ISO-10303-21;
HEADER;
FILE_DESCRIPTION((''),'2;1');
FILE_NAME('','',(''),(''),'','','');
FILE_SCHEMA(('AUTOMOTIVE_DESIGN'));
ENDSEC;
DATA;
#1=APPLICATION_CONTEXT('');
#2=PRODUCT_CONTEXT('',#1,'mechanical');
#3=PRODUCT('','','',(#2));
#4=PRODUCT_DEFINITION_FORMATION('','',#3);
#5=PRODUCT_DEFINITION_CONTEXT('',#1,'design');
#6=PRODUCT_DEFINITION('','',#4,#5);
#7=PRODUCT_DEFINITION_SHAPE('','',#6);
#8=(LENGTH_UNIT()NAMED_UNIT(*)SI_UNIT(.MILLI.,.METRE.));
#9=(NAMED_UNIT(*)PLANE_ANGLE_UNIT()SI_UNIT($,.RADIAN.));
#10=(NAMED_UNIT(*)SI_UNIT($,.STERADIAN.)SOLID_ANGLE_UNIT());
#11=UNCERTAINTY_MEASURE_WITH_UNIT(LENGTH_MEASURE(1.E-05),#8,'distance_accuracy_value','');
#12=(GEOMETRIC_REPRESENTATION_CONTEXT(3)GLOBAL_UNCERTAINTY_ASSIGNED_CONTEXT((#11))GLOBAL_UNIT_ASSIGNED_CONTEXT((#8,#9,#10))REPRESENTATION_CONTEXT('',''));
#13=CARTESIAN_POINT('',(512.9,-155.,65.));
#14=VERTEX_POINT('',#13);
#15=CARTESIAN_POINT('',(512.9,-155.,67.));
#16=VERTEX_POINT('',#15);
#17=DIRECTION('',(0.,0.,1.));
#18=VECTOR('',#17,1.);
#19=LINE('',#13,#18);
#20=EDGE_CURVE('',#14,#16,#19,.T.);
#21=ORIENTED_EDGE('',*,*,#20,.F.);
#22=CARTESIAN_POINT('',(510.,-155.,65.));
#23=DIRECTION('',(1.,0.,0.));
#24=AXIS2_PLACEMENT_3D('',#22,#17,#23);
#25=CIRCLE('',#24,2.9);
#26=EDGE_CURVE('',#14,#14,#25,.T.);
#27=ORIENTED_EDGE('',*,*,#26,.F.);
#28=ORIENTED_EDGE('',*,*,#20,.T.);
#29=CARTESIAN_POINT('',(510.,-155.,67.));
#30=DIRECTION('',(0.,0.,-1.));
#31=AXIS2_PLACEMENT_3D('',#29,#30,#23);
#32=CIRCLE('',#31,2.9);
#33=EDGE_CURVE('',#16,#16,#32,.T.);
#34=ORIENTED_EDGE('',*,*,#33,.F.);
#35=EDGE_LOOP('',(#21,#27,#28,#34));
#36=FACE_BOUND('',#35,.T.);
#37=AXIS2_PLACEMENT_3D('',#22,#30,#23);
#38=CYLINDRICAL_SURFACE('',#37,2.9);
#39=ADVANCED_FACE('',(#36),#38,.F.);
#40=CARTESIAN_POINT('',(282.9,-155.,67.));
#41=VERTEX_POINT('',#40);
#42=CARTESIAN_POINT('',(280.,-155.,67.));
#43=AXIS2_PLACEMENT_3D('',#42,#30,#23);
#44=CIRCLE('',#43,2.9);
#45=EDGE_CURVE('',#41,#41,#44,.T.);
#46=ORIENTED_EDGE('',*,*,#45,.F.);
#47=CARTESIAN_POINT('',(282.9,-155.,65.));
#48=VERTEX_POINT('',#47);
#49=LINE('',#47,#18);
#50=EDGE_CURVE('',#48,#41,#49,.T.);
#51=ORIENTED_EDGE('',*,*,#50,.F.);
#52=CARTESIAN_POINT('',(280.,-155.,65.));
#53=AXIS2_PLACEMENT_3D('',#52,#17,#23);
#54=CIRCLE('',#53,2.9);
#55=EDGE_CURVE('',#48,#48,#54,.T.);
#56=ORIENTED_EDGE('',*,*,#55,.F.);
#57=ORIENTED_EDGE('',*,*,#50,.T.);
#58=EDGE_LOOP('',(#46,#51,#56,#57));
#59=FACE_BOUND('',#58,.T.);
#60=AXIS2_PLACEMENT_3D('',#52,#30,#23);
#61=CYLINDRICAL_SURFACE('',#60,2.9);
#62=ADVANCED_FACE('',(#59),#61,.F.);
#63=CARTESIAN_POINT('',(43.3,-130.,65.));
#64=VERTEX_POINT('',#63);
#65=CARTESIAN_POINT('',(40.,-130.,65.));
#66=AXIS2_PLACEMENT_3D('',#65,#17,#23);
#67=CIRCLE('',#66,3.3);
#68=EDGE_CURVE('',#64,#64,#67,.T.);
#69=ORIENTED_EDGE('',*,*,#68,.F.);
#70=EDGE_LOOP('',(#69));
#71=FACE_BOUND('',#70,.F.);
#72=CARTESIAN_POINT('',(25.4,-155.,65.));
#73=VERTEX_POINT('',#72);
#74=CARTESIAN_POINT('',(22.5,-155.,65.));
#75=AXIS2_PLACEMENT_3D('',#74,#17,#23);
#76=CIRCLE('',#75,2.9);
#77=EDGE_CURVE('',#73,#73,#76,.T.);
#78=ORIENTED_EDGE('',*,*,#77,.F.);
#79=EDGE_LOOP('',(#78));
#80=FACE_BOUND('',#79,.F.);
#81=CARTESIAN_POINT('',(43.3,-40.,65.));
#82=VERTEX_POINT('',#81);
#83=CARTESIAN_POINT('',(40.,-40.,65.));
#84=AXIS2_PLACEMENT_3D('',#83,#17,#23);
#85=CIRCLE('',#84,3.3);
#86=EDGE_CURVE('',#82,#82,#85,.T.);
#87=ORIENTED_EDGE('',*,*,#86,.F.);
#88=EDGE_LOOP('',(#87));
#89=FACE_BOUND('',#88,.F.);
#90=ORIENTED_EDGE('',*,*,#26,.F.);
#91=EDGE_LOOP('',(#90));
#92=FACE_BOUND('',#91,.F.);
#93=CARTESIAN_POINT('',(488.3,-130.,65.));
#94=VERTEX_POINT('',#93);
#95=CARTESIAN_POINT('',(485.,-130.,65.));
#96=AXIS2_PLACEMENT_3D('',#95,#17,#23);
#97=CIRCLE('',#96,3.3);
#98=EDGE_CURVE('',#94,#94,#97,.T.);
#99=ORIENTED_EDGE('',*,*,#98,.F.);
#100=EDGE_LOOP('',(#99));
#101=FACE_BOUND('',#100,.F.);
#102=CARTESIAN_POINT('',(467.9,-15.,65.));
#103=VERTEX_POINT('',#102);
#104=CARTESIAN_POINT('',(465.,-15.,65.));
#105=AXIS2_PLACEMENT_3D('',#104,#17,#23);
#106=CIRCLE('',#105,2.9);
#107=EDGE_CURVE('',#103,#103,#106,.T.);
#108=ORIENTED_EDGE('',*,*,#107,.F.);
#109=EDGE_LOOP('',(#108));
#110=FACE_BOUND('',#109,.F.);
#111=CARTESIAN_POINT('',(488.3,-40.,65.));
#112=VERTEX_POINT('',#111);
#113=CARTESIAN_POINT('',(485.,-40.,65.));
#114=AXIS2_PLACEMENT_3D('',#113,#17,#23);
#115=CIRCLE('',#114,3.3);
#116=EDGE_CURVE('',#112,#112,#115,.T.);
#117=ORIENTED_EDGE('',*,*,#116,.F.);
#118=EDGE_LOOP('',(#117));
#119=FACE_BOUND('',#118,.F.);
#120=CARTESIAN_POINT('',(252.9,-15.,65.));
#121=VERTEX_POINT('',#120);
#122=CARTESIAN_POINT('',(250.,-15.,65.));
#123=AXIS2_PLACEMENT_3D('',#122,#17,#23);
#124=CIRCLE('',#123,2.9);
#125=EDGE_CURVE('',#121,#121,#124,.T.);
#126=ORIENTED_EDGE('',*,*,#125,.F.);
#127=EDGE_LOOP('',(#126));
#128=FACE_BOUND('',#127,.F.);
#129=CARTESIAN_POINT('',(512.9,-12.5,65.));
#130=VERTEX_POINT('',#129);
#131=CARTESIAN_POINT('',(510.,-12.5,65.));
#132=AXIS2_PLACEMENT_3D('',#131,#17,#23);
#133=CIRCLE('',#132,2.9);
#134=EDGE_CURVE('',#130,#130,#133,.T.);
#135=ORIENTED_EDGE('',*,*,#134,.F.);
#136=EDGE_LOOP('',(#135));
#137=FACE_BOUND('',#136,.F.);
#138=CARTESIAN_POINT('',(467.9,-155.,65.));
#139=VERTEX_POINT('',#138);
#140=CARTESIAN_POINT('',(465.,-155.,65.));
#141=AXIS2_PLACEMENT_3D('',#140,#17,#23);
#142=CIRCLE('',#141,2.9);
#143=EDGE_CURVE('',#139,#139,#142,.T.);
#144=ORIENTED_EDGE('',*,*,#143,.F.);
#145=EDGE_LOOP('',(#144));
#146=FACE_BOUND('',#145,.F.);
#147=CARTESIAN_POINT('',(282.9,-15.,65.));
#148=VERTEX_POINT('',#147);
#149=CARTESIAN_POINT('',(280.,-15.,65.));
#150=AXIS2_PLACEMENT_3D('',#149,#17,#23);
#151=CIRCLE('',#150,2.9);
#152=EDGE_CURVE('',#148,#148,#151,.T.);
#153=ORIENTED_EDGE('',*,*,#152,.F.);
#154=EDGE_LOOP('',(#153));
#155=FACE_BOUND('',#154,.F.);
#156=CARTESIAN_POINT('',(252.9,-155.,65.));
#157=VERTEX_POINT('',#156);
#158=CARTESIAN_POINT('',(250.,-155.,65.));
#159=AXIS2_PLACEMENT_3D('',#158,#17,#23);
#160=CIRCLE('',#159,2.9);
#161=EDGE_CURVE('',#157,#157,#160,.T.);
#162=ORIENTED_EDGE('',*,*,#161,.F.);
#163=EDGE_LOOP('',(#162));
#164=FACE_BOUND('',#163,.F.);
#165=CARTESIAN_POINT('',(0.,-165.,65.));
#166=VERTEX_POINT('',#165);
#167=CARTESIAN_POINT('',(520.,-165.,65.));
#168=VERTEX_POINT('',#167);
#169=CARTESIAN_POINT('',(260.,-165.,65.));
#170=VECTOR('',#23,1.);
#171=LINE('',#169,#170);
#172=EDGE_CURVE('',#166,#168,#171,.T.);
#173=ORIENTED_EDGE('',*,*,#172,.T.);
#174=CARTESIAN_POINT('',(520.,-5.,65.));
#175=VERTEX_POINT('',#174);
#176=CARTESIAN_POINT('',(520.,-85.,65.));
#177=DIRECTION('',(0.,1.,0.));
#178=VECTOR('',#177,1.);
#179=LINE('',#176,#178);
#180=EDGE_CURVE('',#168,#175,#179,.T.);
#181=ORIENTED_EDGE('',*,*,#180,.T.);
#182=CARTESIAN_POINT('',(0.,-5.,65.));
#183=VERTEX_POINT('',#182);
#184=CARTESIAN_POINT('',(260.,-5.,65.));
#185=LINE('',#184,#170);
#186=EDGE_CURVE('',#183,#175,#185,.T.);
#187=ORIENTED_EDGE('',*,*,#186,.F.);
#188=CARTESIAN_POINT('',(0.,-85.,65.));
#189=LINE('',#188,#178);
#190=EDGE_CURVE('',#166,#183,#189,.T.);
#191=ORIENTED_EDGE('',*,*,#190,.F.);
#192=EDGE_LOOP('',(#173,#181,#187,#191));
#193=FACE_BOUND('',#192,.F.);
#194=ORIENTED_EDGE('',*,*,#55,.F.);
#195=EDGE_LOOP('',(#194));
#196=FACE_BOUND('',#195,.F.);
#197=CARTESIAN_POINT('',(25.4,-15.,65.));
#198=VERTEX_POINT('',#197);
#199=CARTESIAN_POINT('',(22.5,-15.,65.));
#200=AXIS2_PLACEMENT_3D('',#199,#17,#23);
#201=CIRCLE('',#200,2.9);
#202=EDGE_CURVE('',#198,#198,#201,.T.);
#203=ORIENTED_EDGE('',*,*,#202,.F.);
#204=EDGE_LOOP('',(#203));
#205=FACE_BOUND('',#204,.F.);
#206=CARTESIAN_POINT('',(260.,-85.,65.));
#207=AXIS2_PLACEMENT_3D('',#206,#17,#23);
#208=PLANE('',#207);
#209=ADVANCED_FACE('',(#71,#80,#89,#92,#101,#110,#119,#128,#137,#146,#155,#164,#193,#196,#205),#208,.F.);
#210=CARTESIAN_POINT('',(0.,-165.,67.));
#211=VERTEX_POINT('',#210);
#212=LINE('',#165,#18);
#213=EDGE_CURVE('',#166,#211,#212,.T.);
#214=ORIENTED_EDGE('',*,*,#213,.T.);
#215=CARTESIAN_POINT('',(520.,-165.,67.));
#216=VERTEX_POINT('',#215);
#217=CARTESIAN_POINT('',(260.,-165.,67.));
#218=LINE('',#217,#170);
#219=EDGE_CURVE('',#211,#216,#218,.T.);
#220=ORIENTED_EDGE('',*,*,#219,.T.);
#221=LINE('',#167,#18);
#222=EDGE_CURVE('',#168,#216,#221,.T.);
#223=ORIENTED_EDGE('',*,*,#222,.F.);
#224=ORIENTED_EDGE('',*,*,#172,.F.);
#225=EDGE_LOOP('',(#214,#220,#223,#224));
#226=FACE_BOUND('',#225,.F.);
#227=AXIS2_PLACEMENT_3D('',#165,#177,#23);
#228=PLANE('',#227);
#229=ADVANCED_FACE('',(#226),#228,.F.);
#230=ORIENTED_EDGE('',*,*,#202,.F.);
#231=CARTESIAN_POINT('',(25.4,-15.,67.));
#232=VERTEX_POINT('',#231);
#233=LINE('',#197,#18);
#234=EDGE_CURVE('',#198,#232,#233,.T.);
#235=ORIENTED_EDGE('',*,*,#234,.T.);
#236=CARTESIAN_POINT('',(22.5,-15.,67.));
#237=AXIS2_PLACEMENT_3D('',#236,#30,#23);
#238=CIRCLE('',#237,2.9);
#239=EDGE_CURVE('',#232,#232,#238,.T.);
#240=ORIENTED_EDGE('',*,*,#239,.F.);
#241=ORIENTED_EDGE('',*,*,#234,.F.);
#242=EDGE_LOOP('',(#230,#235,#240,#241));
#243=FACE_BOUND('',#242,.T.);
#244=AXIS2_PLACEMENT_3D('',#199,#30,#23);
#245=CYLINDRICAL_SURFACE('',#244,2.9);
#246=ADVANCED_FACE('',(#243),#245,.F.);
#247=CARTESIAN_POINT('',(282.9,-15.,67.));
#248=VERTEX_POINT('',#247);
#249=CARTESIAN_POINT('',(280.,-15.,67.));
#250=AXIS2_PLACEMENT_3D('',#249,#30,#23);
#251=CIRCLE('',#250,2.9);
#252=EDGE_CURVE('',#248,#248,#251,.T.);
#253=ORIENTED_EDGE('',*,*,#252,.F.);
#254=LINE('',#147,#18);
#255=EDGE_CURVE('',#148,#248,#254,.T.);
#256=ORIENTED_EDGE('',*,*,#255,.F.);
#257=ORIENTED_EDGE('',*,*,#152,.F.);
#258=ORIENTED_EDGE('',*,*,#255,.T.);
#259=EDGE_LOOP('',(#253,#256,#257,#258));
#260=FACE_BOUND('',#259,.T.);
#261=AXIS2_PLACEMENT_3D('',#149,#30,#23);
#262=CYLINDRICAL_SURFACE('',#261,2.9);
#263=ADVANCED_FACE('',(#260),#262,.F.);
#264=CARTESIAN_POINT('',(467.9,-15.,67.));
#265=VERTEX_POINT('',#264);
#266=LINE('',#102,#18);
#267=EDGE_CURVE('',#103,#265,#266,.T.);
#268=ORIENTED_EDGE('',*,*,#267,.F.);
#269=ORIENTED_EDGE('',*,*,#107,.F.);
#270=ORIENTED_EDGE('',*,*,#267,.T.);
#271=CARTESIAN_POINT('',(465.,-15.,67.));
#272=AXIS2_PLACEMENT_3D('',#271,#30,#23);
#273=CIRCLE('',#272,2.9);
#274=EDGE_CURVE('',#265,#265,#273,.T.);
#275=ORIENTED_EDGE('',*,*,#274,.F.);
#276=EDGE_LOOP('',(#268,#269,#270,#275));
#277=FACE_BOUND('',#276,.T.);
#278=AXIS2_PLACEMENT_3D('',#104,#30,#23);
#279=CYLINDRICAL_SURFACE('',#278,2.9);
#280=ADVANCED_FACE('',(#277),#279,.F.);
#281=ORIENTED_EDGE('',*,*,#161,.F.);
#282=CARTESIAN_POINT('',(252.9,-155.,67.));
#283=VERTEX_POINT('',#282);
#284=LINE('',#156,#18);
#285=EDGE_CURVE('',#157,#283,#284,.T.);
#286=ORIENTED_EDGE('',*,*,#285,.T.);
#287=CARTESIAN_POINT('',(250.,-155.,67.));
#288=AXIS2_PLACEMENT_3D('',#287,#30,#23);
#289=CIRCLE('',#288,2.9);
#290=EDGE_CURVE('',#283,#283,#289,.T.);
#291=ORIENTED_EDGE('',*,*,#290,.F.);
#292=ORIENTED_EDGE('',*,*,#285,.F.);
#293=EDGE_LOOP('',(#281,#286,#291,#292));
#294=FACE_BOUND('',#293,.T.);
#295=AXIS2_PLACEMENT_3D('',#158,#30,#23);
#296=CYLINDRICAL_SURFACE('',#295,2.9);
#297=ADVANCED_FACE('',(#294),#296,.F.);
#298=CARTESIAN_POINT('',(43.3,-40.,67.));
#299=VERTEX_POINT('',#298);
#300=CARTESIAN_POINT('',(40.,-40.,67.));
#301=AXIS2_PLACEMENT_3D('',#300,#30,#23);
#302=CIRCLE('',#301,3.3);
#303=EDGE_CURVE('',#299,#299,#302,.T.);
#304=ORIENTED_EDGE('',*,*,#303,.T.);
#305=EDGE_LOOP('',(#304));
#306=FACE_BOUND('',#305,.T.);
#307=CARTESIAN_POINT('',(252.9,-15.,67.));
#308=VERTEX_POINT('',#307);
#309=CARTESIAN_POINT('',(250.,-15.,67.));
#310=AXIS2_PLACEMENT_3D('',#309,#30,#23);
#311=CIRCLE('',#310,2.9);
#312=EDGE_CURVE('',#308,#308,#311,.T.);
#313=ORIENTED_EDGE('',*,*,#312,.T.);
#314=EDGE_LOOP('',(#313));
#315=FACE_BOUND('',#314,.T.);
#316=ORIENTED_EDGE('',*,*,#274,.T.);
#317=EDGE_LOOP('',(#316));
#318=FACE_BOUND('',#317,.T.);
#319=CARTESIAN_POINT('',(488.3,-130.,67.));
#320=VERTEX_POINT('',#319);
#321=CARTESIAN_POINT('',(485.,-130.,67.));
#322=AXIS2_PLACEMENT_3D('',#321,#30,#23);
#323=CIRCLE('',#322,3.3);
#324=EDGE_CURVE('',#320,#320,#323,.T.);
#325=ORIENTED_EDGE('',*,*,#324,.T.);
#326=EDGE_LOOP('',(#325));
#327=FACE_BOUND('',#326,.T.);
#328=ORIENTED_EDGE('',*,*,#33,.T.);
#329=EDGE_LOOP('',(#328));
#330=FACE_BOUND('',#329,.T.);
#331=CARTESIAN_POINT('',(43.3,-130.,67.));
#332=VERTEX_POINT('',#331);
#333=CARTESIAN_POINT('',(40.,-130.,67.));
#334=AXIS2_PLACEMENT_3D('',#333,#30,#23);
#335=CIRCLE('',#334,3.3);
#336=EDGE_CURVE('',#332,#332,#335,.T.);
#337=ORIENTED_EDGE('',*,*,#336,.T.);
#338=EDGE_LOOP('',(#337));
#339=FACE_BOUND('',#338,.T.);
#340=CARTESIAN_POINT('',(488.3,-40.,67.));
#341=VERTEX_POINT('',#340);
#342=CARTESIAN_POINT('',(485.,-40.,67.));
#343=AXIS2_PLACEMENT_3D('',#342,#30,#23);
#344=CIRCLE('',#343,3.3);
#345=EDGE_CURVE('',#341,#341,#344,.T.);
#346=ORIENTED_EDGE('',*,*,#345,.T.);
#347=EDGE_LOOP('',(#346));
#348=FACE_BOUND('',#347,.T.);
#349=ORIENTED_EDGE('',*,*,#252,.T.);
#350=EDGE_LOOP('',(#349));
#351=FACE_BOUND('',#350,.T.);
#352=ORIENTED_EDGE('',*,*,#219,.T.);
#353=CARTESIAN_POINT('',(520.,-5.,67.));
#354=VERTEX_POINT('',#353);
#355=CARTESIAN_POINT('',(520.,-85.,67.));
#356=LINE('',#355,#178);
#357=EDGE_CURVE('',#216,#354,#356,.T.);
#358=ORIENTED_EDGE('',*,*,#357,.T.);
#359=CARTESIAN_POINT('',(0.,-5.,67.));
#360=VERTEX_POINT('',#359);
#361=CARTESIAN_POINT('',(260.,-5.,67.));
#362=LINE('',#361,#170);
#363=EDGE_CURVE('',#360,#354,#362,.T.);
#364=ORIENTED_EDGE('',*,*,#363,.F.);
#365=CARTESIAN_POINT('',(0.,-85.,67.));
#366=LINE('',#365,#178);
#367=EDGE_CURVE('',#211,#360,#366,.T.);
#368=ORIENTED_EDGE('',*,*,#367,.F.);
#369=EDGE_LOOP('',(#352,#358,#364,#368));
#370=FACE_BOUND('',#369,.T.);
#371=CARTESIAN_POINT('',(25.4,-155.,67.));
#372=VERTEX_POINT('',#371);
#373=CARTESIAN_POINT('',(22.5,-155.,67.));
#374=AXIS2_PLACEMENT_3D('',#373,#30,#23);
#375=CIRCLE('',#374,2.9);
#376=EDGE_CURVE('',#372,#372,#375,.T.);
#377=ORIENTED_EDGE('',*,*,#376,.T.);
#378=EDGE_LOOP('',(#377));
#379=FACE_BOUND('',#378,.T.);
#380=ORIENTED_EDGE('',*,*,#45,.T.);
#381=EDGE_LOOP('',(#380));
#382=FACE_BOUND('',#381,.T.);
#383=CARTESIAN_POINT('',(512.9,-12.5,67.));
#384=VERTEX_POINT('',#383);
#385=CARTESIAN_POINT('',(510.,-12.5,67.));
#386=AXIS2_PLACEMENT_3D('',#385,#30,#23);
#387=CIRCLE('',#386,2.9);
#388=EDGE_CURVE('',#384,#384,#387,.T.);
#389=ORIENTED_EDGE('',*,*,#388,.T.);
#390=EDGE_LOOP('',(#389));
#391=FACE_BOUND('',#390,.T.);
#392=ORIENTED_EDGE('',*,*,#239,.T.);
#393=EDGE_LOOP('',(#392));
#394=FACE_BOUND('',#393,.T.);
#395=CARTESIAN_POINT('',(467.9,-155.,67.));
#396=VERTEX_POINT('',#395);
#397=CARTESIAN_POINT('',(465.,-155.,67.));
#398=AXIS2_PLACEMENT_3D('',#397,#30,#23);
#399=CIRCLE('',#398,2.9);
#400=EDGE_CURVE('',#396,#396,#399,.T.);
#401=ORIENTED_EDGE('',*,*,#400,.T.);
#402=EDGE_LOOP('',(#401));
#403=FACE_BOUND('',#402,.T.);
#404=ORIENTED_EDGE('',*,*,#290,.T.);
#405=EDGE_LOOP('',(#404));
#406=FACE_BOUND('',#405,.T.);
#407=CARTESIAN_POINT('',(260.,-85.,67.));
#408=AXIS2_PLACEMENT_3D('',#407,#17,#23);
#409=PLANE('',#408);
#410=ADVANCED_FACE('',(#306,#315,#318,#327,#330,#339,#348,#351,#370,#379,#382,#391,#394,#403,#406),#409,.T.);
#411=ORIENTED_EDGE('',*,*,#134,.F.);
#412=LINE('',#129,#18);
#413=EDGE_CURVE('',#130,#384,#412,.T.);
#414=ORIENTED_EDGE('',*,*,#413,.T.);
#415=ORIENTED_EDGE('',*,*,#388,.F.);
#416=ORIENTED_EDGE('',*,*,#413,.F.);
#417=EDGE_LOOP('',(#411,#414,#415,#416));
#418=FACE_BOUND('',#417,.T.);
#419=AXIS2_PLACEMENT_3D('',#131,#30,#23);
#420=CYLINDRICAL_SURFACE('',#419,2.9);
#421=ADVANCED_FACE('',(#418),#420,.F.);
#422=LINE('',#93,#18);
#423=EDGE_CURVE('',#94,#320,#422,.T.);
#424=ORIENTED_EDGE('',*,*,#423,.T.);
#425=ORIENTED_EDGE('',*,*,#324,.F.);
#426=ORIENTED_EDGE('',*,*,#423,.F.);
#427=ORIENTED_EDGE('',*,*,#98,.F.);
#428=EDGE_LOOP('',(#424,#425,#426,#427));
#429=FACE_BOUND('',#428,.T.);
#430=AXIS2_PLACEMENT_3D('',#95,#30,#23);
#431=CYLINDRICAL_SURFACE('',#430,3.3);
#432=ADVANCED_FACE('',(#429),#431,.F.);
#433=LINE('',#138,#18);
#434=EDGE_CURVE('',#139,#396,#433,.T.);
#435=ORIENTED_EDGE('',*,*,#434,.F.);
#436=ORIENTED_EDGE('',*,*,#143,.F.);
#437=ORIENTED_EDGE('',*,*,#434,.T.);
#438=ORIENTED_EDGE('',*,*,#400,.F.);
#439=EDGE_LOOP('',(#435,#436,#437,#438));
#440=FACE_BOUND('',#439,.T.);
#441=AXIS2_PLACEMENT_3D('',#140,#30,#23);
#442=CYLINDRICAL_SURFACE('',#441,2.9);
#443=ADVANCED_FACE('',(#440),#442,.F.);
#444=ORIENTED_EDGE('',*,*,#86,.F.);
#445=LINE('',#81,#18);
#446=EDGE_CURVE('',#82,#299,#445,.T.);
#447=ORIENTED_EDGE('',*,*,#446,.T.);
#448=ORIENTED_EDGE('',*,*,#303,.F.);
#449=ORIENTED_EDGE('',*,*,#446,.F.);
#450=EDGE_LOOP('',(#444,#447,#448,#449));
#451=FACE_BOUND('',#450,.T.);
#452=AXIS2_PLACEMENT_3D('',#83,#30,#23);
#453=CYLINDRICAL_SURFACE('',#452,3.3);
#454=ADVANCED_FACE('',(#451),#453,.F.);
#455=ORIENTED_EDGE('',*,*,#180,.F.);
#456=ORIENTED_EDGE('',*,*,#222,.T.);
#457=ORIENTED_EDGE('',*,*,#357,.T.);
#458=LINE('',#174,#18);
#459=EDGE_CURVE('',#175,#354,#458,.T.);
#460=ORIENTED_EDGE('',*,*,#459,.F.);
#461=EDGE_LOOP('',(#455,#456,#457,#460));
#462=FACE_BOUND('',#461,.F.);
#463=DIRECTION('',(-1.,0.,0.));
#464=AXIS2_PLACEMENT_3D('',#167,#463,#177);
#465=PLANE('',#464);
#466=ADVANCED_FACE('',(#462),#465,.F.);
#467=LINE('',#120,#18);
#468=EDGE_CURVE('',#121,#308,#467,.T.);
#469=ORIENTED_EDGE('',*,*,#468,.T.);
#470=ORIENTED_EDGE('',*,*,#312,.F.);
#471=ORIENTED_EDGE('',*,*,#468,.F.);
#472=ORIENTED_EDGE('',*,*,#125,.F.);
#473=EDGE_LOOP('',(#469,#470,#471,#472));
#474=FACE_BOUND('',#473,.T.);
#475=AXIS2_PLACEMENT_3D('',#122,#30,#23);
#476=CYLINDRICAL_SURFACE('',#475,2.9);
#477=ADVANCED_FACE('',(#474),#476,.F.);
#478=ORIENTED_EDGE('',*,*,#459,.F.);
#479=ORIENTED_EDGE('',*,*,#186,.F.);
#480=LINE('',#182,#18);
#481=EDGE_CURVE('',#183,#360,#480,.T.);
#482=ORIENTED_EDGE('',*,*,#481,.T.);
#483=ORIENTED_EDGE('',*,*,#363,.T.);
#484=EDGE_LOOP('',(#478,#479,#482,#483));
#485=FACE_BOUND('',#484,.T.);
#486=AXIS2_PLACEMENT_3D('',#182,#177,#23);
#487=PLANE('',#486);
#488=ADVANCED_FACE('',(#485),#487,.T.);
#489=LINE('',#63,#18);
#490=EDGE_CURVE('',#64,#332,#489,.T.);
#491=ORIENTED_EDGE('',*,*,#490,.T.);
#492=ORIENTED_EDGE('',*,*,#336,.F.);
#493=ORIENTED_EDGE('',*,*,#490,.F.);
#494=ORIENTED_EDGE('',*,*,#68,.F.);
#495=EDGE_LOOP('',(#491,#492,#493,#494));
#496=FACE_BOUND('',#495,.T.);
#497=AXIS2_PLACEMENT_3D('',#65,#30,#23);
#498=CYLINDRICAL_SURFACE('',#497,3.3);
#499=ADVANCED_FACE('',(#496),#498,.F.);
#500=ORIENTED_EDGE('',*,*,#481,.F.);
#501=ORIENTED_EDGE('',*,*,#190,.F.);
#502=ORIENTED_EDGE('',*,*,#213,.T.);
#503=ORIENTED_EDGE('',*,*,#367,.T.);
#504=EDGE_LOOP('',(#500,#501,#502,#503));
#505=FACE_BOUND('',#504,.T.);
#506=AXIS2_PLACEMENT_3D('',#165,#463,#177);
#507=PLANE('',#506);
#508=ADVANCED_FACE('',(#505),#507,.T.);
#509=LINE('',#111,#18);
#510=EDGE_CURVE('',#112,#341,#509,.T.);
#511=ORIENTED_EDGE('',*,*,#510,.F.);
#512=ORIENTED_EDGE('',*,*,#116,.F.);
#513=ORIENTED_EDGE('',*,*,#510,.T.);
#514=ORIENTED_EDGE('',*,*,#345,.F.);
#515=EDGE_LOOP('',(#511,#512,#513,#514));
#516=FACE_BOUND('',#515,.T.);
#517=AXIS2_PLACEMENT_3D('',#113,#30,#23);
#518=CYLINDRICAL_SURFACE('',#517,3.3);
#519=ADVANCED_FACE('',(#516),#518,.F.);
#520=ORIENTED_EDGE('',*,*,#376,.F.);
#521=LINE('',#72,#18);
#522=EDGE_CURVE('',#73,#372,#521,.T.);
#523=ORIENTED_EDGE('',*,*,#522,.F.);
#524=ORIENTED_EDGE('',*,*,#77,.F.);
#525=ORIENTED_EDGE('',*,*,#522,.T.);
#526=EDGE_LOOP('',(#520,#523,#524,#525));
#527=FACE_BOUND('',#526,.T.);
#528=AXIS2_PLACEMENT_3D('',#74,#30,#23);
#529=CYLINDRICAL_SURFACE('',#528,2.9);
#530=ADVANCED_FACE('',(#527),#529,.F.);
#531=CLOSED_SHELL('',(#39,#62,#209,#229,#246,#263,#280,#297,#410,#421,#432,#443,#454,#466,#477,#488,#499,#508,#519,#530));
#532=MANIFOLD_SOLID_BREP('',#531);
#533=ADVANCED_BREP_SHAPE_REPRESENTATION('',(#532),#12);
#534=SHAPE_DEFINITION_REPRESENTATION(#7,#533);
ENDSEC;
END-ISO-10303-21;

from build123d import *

# Parameters (mm, degrees)
SKETCH037_W   = 520
SKETCH037_H   = 160
PAD013_DEPTH  = 2
SKETCH038_R   = 2.9
HOLE013_DEPTH = 25
SKETCH039_R   = 3.3
HOLE014_DEPTH = 25


with BuildPart() as part:
    # Sketch037 → Pad013 (new body)
    with BuildSketch(Plane.XY):
        with Locations((260, -80)):
            Rectangle(SKETCH037_W, SKETCH037_H)
    extrude(amount=PAD013_DEPTH)

    # Sketch038 → Hole013 (cut)
    with BuildSketch(Plane.XY):
        with Locations((22.5, -10)):
            Circle(SKETCH038_R)
        with Locations((22.5, -150)):
            Circle(SKETCH038_R)
        with Locations((250, -10)):
            Circle(SKETCH038_R)
        with Locations((280, -10)):
            Circle(SKETCH038_R)
        with Locations((250, -150)):
            Circle(SKETCH038_R)
        with Locations((280, -150)):
            Circle(SKETCH038_R)
        with Locations((465, -150)):
            Circle(SKETCH038_R)
        with Locations((465, -10)):
            Circle(SKETCH038_R)
        with Locations((510, -7.5)):
            Circle(SKETCH038_R)
        with Locations((510, -150)):
            Circle(SKETCH038_R)
    extrude(amount=HOLE013_DEPTH, mode=Mode.SUBTRACT)

    # Sketch039 → Hole014 (cut)
    with BuildSketch(Plane.XY):
        with Locations((40, -35)):
            Circle(SKETCH039_R)
        with Locations((40, -125)):
            Circle(SKETCH039_R)
        with Locations((485, -35)):
            Circle(SKETCH039_R)
        with Locations((485, -125)):
            Circle(SKETCH039_R)
    extrude(amount=HOLE014_DEPTH, mode=Mode.SUBTRACT)


with BuildPart() as part_1:
    # Body006 placement: moved
    add(part.part.moved(Location((0, -5, 65))))


solid = part_1.part
